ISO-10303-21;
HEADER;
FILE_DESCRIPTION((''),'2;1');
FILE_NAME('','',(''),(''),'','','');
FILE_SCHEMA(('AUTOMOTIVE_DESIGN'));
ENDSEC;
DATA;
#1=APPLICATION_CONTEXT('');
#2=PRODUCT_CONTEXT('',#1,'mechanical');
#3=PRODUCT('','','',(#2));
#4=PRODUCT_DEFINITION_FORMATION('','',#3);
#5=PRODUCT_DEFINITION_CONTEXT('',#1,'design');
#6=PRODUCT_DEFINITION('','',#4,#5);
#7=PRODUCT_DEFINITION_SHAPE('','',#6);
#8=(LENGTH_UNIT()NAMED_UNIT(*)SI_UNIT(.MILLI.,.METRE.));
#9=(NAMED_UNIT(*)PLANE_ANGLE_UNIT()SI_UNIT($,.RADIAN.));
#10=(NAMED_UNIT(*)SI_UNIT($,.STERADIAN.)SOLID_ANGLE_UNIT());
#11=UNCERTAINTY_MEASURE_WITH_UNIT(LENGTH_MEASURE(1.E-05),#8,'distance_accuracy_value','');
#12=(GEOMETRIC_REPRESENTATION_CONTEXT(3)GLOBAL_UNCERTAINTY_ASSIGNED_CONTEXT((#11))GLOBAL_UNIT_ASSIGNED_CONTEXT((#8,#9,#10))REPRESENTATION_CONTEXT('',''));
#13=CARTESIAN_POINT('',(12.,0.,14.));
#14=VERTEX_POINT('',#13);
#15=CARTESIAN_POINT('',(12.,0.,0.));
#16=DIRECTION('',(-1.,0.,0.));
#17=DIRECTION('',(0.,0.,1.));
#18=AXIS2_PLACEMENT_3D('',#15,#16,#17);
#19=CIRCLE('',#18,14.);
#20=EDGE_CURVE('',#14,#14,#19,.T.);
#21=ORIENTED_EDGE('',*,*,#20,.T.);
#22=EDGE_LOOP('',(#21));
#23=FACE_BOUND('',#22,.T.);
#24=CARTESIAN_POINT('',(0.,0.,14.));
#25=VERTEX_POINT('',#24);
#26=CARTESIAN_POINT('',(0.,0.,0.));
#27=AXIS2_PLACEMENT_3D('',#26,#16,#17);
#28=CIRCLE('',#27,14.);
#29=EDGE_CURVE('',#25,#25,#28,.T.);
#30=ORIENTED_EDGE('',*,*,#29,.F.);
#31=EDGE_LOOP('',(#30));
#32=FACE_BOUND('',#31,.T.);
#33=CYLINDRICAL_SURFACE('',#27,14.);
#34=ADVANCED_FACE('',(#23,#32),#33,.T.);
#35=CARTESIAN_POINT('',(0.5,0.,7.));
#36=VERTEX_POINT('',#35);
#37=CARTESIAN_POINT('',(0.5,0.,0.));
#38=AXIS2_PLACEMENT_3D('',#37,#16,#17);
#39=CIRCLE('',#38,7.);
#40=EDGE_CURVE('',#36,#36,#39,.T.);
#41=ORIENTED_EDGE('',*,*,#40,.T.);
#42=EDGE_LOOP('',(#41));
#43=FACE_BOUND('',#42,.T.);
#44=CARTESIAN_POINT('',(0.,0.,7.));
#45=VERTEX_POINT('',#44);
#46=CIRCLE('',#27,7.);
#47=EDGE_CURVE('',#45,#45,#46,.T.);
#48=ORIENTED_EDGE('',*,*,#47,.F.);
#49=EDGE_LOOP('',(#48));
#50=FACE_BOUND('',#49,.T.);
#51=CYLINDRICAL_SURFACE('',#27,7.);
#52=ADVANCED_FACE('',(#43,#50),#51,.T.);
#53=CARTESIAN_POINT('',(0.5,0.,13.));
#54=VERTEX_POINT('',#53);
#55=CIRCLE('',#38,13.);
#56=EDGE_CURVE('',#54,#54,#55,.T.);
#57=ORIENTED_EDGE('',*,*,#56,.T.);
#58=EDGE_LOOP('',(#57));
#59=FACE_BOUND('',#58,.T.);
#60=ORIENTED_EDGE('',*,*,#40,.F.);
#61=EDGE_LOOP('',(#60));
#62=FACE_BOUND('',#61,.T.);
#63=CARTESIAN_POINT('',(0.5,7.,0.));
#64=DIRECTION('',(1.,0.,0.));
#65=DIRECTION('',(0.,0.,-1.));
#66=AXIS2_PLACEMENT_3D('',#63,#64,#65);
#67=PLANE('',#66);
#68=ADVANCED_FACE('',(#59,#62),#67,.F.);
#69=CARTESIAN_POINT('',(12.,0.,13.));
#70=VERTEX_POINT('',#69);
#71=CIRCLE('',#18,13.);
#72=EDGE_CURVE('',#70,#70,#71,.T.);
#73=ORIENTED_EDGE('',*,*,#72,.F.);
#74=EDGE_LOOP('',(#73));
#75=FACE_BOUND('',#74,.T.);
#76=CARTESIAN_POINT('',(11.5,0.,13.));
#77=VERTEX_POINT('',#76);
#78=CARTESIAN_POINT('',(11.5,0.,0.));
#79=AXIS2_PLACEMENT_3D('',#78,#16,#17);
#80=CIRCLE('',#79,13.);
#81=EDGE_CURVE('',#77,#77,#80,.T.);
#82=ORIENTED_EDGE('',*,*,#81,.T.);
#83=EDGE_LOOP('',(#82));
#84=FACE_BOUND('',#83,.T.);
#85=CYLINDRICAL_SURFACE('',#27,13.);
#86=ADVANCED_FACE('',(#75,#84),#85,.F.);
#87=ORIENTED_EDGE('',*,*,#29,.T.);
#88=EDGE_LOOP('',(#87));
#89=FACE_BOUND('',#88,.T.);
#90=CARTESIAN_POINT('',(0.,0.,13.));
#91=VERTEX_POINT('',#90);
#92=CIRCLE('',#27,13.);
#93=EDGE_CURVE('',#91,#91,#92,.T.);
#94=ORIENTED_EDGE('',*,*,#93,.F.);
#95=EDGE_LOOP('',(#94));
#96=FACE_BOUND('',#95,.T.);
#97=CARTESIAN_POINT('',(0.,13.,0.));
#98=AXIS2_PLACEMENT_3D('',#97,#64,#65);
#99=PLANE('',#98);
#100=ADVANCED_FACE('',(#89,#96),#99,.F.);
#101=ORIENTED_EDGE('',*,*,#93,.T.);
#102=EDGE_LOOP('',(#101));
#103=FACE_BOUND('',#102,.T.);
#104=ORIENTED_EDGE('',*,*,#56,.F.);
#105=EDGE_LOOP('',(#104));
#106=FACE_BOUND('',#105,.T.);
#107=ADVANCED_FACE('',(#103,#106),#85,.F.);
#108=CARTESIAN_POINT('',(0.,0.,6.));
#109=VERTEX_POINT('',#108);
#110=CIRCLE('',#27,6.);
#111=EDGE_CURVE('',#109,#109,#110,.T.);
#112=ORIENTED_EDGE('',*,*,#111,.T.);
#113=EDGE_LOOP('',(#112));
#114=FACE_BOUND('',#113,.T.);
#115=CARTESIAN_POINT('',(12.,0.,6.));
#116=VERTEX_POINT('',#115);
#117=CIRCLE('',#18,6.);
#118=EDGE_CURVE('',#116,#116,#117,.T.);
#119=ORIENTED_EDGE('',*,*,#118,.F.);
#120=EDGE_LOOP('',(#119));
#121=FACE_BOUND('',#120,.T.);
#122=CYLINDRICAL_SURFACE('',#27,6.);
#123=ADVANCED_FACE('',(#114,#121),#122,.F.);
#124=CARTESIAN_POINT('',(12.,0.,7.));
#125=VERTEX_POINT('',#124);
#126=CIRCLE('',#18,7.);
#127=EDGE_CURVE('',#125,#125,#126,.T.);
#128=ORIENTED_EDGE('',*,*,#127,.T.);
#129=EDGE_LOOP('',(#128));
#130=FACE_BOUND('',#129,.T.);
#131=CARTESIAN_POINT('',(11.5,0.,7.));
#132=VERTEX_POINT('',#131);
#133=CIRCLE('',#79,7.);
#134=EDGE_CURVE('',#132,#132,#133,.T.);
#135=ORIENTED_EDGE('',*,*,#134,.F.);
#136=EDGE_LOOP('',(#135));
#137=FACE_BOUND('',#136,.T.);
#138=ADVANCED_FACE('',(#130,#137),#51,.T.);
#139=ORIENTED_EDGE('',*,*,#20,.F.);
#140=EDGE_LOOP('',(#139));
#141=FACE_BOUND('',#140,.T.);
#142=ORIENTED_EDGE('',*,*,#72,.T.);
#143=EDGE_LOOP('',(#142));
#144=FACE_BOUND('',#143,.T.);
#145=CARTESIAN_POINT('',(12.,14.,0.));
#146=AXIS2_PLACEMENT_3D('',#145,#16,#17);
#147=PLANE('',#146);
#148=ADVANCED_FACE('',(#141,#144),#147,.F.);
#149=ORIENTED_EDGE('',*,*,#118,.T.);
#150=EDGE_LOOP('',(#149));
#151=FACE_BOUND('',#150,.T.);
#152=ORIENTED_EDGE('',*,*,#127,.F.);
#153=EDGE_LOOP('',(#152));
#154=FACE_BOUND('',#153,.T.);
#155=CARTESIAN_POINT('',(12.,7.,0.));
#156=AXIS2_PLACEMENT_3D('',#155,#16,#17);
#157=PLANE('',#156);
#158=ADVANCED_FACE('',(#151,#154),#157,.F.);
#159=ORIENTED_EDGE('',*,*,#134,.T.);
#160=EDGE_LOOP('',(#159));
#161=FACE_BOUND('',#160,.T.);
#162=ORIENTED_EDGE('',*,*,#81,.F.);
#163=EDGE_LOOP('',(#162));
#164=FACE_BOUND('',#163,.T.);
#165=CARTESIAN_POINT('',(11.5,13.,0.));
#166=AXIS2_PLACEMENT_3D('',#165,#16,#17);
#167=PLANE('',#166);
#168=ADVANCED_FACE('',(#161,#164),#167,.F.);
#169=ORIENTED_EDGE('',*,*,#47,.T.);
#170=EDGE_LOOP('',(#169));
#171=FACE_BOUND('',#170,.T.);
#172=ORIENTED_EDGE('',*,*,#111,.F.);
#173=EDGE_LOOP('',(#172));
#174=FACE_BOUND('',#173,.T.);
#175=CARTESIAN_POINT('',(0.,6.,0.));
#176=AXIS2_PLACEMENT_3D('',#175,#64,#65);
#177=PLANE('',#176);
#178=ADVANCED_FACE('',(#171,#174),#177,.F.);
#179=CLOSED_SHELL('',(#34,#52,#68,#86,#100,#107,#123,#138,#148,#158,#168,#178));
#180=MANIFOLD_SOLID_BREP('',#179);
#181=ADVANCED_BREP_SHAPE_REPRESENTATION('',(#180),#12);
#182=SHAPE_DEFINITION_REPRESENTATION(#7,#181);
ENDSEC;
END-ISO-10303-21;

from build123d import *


with BuildPart() as part:
    # Sketch1 → Revolve1 (revolve)
    with BuildSketch(Plane.XY, mode=Mode.PRIVATE) as revolve1_sk:
        Polygon((0, 14), (12, 14), (12, 13), (11.5, 13), (11.5, 7), (12, 7), (12, 6), (0, 6), (0, 7), (0.5, 7), (0.5, 13), (0, 13), align=None)
    revolve(revolve1_sk.sketch.rotate(Axis((0, 0, 0), (1, 0, 0)), 90), axis=Axis((0, 0, 0), (1, 0, 0)))


solid = part.part
